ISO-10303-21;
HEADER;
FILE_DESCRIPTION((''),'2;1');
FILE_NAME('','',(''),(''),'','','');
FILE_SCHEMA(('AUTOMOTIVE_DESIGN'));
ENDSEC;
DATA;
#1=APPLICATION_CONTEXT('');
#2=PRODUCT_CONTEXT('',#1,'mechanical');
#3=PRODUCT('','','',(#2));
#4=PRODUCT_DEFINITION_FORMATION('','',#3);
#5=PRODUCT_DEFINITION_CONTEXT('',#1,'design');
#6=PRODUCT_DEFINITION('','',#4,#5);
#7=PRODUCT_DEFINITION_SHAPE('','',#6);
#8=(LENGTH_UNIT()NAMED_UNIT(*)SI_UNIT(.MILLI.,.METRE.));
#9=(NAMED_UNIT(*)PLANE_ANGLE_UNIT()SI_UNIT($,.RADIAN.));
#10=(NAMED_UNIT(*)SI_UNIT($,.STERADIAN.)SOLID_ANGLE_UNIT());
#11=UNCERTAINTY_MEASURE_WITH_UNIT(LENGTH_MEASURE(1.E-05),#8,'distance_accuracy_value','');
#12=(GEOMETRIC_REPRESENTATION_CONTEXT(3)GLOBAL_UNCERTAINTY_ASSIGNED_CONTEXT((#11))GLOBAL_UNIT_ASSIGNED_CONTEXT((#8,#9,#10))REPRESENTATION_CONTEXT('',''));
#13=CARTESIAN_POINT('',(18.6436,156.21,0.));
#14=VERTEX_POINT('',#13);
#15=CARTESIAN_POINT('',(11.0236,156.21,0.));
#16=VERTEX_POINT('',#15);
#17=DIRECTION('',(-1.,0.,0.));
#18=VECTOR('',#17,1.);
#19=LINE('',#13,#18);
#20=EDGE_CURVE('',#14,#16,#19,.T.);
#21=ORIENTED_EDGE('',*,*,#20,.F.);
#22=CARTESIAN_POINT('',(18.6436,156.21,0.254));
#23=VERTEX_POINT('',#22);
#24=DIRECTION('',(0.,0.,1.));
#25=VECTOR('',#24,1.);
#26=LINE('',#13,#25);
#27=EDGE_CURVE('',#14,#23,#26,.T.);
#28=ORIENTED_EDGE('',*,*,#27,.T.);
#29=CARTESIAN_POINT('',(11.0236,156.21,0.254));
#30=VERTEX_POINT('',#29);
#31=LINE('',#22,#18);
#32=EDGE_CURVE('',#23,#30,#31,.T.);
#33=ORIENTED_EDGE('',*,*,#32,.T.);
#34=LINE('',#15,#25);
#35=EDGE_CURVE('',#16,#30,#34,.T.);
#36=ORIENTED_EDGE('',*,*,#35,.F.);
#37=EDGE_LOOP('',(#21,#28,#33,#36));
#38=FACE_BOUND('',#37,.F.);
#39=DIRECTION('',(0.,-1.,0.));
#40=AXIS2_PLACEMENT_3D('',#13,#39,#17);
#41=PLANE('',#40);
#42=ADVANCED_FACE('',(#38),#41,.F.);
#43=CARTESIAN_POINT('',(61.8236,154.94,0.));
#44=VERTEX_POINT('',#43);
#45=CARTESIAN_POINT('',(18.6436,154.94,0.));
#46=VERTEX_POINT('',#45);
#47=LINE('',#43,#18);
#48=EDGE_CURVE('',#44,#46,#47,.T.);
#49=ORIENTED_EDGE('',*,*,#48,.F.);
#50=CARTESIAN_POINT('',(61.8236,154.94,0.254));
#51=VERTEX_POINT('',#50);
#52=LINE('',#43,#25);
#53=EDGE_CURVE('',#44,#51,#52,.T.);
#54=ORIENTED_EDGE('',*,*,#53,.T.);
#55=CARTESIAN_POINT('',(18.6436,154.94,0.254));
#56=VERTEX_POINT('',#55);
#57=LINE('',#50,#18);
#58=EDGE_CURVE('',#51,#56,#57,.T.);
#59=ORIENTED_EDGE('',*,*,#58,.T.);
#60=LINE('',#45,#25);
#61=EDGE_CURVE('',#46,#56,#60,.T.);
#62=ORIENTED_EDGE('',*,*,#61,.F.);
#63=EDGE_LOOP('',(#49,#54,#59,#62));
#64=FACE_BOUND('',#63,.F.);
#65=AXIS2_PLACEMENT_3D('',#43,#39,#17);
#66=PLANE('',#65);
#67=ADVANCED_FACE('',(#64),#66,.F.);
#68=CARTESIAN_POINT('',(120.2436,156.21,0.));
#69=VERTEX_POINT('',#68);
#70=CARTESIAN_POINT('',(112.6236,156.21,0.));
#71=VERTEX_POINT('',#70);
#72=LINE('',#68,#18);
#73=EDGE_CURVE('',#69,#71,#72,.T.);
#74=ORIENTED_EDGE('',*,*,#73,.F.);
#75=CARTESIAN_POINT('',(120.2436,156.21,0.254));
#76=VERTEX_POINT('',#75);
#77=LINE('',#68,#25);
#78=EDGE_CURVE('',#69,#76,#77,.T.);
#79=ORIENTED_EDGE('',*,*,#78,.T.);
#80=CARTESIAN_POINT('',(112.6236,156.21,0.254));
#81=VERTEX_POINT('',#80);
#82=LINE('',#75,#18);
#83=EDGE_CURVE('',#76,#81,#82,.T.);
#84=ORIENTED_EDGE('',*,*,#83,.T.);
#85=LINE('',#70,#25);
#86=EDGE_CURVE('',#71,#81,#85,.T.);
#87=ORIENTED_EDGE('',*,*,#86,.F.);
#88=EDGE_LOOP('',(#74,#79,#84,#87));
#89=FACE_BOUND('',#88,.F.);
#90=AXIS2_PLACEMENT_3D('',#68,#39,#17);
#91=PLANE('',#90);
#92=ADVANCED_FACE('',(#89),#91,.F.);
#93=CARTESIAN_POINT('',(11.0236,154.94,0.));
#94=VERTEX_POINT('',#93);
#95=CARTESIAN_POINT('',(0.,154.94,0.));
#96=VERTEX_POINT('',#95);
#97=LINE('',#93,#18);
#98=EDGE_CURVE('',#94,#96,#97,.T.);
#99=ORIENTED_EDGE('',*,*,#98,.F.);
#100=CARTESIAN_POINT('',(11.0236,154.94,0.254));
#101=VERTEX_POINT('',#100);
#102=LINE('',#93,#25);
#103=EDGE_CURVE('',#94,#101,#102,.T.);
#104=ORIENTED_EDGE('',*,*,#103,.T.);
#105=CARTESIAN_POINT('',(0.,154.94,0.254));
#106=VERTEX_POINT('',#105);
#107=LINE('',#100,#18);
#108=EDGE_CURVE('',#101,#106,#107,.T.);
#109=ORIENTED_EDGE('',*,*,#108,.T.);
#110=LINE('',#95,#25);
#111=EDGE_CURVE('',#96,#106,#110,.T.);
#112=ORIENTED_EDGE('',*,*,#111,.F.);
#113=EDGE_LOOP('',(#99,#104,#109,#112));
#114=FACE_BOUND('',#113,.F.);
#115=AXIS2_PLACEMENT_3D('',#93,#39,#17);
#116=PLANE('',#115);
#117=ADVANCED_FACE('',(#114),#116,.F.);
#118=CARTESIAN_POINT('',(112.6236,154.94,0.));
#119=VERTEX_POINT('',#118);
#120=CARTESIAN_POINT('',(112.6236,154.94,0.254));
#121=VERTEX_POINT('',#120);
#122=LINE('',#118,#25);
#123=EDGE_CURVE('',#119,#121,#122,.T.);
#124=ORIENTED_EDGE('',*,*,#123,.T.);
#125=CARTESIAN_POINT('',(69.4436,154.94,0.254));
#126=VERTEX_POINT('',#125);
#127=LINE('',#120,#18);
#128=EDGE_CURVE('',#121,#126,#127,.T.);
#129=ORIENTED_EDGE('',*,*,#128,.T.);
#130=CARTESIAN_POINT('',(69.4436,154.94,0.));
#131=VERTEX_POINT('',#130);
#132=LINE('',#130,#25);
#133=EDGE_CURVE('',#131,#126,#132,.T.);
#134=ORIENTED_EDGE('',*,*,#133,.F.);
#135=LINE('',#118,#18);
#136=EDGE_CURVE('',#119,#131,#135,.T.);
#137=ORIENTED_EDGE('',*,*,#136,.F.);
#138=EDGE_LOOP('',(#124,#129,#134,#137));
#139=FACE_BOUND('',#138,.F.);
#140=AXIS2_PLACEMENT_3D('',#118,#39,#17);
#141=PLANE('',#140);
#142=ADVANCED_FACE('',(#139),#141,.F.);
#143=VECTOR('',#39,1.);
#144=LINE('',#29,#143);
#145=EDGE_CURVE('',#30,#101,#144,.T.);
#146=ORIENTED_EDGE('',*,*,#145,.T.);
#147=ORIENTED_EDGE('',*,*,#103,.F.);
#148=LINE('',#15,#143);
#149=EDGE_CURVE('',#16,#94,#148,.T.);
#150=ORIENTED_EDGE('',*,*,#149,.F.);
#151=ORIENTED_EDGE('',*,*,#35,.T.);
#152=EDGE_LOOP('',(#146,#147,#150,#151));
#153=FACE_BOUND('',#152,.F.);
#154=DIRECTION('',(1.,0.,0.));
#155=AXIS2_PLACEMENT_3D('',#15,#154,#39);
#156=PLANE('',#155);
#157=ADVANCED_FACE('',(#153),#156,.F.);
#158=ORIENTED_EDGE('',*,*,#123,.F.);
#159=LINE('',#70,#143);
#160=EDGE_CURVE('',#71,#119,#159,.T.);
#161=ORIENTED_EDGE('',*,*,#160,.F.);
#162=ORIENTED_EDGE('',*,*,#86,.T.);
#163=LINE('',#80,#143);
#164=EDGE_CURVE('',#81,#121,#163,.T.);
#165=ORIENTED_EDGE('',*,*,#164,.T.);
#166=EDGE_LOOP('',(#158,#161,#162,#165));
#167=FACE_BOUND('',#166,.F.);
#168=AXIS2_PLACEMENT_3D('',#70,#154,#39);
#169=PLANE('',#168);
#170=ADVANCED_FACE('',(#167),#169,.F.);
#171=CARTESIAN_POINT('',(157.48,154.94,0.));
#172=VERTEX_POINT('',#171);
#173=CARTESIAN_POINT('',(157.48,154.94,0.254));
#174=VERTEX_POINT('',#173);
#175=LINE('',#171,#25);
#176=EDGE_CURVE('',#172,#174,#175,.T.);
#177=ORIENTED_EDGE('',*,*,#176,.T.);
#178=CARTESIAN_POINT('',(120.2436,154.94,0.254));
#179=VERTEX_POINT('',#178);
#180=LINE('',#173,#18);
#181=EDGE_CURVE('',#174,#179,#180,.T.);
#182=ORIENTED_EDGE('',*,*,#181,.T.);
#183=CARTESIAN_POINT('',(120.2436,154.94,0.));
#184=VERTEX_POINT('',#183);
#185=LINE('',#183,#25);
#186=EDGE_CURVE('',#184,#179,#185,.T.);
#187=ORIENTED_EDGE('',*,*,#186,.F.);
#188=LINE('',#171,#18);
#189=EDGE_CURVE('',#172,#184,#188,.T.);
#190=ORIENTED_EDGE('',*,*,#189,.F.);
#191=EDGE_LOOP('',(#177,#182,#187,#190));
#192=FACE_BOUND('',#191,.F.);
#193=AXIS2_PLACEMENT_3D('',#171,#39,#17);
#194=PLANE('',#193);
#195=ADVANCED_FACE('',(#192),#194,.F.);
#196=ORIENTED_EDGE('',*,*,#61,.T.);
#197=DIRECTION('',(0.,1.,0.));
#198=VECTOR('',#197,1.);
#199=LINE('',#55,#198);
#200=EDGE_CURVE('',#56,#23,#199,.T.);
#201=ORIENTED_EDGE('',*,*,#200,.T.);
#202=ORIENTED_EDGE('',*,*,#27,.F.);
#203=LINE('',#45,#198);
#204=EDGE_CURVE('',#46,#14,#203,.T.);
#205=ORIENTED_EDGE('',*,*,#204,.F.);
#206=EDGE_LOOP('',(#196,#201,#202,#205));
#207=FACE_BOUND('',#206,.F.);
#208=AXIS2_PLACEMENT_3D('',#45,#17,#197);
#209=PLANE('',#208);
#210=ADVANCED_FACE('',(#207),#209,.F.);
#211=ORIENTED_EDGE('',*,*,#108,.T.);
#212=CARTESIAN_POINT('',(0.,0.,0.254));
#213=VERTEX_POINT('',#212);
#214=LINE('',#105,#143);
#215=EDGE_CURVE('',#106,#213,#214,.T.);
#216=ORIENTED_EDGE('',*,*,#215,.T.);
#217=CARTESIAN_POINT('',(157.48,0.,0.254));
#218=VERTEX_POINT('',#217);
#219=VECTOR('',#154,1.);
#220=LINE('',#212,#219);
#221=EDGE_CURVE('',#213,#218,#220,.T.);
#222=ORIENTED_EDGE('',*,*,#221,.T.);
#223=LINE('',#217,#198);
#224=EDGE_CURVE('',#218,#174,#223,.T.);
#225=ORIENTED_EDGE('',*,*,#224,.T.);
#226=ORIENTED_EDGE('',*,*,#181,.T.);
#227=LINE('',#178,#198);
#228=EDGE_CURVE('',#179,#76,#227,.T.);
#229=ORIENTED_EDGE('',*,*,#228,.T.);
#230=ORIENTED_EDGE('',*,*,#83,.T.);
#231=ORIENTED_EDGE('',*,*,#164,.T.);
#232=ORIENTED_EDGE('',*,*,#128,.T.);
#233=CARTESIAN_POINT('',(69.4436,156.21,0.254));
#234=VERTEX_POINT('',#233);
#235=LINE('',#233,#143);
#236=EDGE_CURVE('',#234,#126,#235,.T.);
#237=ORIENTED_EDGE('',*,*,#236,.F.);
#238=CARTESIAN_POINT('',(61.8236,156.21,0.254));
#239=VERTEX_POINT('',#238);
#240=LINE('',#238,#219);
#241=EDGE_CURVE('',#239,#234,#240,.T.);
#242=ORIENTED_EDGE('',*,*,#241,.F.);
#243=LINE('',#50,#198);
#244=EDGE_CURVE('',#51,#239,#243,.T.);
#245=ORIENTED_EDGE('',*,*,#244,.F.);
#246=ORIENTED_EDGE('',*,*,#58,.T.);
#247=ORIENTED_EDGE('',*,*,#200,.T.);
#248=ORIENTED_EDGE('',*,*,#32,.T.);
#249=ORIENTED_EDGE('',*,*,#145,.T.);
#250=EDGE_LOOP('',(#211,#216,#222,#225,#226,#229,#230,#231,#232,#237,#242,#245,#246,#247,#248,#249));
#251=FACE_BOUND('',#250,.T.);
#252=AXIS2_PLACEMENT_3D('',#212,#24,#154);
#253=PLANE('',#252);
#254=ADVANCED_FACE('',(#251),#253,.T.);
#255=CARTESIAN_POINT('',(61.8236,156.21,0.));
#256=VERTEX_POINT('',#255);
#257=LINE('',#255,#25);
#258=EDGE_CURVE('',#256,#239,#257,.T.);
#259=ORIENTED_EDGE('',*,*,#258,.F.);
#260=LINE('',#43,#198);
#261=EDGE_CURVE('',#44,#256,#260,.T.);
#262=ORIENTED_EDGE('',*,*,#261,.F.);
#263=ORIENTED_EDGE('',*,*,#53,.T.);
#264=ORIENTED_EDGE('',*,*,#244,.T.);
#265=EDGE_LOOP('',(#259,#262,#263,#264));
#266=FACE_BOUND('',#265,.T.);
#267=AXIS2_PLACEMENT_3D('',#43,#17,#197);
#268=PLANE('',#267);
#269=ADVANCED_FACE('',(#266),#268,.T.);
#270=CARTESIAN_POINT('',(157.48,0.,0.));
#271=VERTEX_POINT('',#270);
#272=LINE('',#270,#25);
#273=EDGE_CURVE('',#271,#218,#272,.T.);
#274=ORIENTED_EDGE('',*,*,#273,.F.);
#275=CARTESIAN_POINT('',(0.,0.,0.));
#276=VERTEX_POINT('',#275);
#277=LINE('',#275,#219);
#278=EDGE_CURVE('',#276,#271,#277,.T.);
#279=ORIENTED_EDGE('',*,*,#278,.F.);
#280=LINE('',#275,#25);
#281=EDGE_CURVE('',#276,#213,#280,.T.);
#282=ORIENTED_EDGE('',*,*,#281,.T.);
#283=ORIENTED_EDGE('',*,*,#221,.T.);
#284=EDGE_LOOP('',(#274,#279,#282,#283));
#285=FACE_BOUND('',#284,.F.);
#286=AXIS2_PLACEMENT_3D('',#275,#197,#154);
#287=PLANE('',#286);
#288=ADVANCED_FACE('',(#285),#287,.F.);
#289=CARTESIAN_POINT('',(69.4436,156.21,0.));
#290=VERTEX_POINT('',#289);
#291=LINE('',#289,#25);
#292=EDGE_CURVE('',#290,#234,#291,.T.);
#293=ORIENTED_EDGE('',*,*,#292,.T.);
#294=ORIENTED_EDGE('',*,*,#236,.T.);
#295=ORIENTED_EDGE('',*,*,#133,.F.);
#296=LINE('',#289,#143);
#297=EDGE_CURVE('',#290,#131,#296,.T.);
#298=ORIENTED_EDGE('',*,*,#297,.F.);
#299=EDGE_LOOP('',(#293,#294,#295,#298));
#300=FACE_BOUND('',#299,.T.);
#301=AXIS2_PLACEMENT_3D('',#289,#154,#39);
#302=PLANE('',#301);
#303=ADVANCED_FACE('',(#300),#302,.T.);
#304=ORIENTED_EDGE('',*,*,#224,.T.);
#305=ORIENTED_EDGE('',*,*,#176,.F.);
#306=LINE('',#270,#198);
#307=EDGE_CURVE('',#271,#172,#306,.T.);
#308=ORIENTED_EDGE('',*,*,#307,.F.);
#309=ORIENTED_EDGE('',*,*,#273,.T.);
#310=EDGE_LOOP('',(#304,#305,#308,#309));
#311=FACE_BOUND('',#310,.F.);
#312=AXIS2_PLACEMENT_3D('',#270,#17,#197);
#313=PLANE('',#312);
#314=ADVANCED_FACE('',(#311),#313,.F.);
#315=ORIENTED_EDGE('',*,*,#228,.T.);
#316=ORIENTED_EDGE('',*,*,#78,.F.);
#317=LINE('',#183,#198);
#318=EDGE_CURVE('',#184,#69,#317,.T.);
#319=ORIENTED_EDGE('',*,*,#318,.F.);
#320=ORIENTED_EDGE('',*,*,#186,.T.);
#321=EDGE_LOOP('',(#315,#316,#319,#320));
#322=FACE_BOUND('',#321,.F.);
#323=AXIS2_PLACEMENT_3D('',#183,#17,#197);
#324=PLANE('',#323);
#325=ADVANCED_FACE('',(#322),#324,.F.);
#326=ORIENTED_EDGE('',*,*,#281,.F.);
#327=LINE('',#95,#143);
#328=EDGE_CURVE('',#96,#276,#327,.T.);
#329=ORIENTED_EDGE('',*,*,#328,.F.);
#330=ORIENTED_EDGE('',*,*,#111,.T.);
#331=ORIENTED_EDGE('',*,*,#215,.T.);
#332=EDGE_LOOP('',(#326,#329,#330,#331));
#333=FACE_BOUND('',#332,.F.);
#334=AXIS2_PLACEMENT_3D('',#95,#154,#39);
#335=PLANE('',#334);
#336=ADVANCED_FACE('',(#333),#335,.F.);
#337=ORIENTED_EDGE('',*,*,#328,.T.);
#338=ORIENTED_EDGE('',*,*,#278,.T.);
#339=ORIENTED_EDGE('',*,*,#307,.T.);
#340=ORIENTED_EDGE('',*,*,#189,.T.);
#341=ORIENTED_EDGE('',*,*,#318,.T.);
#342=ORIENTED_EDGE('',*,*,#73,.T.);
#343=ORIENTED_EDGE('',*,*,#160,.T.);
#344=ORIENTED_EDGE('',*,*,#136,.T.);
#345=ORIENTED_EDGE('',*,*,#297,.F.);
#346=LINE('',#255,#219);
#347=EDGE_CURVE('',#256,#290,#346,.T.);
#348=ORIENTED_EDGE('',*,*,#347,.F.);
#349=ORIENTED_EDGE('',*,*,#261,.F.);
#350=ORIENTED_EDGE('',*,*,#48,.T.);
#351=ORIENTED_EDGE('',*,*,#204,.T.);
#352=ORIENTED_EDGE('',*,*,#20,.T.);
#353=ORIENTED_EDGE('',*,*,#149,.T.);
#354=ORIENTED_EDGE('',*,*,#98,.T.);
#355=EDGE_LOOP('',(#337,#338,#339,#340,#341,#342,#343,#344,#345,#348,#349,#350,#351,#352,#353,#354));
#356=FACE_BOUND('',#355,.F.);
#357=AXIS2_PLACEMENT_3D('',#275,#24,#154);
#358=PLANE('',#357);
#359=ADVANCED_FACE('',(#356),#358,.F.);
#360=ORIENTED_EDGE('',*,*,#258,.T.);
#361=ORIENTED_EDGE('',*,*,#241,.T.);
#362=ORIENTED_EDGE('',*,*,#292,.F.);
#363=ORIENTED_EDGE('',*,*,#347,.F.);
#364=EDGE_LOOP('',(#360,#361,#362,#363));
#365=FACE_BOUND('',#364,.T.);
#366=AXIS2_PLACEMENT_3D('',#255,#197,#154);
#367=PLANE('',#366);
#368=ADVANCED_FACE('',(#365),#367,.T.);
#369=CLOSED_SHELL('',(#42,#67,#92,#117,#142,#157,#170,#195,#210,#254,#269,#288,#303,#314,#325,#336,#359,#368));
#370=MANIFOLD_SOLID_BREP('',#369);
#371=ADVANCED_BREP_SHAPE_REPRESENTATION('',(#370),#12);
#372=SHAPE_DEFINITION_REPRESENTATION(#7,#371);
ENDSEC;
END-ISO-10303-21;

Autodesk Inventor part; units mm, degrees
ref_plane "YZ Plane" through (0, 0, 0) normal (1, 0, 0) x (0, 1, 0)
ref_plane "XZ Plane" through (0, 0, 0) normal (0, 1, 0) x (-1, 0, 0)
ref_plane "XY Plane" through (0, 0, 0) normal (0, 0, 1) x (1, 0, 0)
sketch "Sketch1" plane through (0, 0, 0) normal (0, 0, 1) x (1, 0, 0)
  line L0 (0, 0) -> (157.48, 0)
  line L1 (157.48, 0) -> (157.48, 154.94)
  line L2 (0, 154.94) -> (0, 0)
  line L3 (18.6436, 154.94) -> (18.6436, 156.21)
  line L4 (18.6436, 156.21) -> (11.0236, 156.21)
  line L5 (11.0236, 156.21) -> (11.0236, 154.94)
  line L6 (61.8236, 154.94) -> (61.8236, 156.21)
  line L7 (61.8236, 156.21) -> (69.4436, 156.21)
  line L8 (69.4436, 156.21) -> (69.4436, 154.94)
  line L9 (120.2436, 154.94) -> (120.2436, 156.21)
  line L10 (120.2436, 156.21) -> (112.6236, 156.21)
  line L11 (112.6236, 156.21) -> (112.6236, 154.94)
  line L12 (61.8236, 154.94) -> (18.6436, 154.94)
  line L13 (11.0236, 154.94) -> (0, 154.94)
  line L14 (157.48, 154.94) -> (120.2436, 154.94)
  line L15 (112.6236, 154.94) -> (69.4436, 154.94)
  dimension "d0" = 154.94
  dimension "d1" = 157.48
  dimension "d4" = 7.62
  dimension "d8" = 7.62
  dimension "d10" = 112.6236
  dimension "d11" = 1.27
  dimension "d12" = 11.0236
  dimension "d13" = 1.27
  dimension "d14" = 7.62
  dimension "d15" = 7.62
  dimension "d16" = 1.27
extrude "Extrusion1" add sketch "Sketch1" along normal blind 0.254
properties part number "Heat sheild"
